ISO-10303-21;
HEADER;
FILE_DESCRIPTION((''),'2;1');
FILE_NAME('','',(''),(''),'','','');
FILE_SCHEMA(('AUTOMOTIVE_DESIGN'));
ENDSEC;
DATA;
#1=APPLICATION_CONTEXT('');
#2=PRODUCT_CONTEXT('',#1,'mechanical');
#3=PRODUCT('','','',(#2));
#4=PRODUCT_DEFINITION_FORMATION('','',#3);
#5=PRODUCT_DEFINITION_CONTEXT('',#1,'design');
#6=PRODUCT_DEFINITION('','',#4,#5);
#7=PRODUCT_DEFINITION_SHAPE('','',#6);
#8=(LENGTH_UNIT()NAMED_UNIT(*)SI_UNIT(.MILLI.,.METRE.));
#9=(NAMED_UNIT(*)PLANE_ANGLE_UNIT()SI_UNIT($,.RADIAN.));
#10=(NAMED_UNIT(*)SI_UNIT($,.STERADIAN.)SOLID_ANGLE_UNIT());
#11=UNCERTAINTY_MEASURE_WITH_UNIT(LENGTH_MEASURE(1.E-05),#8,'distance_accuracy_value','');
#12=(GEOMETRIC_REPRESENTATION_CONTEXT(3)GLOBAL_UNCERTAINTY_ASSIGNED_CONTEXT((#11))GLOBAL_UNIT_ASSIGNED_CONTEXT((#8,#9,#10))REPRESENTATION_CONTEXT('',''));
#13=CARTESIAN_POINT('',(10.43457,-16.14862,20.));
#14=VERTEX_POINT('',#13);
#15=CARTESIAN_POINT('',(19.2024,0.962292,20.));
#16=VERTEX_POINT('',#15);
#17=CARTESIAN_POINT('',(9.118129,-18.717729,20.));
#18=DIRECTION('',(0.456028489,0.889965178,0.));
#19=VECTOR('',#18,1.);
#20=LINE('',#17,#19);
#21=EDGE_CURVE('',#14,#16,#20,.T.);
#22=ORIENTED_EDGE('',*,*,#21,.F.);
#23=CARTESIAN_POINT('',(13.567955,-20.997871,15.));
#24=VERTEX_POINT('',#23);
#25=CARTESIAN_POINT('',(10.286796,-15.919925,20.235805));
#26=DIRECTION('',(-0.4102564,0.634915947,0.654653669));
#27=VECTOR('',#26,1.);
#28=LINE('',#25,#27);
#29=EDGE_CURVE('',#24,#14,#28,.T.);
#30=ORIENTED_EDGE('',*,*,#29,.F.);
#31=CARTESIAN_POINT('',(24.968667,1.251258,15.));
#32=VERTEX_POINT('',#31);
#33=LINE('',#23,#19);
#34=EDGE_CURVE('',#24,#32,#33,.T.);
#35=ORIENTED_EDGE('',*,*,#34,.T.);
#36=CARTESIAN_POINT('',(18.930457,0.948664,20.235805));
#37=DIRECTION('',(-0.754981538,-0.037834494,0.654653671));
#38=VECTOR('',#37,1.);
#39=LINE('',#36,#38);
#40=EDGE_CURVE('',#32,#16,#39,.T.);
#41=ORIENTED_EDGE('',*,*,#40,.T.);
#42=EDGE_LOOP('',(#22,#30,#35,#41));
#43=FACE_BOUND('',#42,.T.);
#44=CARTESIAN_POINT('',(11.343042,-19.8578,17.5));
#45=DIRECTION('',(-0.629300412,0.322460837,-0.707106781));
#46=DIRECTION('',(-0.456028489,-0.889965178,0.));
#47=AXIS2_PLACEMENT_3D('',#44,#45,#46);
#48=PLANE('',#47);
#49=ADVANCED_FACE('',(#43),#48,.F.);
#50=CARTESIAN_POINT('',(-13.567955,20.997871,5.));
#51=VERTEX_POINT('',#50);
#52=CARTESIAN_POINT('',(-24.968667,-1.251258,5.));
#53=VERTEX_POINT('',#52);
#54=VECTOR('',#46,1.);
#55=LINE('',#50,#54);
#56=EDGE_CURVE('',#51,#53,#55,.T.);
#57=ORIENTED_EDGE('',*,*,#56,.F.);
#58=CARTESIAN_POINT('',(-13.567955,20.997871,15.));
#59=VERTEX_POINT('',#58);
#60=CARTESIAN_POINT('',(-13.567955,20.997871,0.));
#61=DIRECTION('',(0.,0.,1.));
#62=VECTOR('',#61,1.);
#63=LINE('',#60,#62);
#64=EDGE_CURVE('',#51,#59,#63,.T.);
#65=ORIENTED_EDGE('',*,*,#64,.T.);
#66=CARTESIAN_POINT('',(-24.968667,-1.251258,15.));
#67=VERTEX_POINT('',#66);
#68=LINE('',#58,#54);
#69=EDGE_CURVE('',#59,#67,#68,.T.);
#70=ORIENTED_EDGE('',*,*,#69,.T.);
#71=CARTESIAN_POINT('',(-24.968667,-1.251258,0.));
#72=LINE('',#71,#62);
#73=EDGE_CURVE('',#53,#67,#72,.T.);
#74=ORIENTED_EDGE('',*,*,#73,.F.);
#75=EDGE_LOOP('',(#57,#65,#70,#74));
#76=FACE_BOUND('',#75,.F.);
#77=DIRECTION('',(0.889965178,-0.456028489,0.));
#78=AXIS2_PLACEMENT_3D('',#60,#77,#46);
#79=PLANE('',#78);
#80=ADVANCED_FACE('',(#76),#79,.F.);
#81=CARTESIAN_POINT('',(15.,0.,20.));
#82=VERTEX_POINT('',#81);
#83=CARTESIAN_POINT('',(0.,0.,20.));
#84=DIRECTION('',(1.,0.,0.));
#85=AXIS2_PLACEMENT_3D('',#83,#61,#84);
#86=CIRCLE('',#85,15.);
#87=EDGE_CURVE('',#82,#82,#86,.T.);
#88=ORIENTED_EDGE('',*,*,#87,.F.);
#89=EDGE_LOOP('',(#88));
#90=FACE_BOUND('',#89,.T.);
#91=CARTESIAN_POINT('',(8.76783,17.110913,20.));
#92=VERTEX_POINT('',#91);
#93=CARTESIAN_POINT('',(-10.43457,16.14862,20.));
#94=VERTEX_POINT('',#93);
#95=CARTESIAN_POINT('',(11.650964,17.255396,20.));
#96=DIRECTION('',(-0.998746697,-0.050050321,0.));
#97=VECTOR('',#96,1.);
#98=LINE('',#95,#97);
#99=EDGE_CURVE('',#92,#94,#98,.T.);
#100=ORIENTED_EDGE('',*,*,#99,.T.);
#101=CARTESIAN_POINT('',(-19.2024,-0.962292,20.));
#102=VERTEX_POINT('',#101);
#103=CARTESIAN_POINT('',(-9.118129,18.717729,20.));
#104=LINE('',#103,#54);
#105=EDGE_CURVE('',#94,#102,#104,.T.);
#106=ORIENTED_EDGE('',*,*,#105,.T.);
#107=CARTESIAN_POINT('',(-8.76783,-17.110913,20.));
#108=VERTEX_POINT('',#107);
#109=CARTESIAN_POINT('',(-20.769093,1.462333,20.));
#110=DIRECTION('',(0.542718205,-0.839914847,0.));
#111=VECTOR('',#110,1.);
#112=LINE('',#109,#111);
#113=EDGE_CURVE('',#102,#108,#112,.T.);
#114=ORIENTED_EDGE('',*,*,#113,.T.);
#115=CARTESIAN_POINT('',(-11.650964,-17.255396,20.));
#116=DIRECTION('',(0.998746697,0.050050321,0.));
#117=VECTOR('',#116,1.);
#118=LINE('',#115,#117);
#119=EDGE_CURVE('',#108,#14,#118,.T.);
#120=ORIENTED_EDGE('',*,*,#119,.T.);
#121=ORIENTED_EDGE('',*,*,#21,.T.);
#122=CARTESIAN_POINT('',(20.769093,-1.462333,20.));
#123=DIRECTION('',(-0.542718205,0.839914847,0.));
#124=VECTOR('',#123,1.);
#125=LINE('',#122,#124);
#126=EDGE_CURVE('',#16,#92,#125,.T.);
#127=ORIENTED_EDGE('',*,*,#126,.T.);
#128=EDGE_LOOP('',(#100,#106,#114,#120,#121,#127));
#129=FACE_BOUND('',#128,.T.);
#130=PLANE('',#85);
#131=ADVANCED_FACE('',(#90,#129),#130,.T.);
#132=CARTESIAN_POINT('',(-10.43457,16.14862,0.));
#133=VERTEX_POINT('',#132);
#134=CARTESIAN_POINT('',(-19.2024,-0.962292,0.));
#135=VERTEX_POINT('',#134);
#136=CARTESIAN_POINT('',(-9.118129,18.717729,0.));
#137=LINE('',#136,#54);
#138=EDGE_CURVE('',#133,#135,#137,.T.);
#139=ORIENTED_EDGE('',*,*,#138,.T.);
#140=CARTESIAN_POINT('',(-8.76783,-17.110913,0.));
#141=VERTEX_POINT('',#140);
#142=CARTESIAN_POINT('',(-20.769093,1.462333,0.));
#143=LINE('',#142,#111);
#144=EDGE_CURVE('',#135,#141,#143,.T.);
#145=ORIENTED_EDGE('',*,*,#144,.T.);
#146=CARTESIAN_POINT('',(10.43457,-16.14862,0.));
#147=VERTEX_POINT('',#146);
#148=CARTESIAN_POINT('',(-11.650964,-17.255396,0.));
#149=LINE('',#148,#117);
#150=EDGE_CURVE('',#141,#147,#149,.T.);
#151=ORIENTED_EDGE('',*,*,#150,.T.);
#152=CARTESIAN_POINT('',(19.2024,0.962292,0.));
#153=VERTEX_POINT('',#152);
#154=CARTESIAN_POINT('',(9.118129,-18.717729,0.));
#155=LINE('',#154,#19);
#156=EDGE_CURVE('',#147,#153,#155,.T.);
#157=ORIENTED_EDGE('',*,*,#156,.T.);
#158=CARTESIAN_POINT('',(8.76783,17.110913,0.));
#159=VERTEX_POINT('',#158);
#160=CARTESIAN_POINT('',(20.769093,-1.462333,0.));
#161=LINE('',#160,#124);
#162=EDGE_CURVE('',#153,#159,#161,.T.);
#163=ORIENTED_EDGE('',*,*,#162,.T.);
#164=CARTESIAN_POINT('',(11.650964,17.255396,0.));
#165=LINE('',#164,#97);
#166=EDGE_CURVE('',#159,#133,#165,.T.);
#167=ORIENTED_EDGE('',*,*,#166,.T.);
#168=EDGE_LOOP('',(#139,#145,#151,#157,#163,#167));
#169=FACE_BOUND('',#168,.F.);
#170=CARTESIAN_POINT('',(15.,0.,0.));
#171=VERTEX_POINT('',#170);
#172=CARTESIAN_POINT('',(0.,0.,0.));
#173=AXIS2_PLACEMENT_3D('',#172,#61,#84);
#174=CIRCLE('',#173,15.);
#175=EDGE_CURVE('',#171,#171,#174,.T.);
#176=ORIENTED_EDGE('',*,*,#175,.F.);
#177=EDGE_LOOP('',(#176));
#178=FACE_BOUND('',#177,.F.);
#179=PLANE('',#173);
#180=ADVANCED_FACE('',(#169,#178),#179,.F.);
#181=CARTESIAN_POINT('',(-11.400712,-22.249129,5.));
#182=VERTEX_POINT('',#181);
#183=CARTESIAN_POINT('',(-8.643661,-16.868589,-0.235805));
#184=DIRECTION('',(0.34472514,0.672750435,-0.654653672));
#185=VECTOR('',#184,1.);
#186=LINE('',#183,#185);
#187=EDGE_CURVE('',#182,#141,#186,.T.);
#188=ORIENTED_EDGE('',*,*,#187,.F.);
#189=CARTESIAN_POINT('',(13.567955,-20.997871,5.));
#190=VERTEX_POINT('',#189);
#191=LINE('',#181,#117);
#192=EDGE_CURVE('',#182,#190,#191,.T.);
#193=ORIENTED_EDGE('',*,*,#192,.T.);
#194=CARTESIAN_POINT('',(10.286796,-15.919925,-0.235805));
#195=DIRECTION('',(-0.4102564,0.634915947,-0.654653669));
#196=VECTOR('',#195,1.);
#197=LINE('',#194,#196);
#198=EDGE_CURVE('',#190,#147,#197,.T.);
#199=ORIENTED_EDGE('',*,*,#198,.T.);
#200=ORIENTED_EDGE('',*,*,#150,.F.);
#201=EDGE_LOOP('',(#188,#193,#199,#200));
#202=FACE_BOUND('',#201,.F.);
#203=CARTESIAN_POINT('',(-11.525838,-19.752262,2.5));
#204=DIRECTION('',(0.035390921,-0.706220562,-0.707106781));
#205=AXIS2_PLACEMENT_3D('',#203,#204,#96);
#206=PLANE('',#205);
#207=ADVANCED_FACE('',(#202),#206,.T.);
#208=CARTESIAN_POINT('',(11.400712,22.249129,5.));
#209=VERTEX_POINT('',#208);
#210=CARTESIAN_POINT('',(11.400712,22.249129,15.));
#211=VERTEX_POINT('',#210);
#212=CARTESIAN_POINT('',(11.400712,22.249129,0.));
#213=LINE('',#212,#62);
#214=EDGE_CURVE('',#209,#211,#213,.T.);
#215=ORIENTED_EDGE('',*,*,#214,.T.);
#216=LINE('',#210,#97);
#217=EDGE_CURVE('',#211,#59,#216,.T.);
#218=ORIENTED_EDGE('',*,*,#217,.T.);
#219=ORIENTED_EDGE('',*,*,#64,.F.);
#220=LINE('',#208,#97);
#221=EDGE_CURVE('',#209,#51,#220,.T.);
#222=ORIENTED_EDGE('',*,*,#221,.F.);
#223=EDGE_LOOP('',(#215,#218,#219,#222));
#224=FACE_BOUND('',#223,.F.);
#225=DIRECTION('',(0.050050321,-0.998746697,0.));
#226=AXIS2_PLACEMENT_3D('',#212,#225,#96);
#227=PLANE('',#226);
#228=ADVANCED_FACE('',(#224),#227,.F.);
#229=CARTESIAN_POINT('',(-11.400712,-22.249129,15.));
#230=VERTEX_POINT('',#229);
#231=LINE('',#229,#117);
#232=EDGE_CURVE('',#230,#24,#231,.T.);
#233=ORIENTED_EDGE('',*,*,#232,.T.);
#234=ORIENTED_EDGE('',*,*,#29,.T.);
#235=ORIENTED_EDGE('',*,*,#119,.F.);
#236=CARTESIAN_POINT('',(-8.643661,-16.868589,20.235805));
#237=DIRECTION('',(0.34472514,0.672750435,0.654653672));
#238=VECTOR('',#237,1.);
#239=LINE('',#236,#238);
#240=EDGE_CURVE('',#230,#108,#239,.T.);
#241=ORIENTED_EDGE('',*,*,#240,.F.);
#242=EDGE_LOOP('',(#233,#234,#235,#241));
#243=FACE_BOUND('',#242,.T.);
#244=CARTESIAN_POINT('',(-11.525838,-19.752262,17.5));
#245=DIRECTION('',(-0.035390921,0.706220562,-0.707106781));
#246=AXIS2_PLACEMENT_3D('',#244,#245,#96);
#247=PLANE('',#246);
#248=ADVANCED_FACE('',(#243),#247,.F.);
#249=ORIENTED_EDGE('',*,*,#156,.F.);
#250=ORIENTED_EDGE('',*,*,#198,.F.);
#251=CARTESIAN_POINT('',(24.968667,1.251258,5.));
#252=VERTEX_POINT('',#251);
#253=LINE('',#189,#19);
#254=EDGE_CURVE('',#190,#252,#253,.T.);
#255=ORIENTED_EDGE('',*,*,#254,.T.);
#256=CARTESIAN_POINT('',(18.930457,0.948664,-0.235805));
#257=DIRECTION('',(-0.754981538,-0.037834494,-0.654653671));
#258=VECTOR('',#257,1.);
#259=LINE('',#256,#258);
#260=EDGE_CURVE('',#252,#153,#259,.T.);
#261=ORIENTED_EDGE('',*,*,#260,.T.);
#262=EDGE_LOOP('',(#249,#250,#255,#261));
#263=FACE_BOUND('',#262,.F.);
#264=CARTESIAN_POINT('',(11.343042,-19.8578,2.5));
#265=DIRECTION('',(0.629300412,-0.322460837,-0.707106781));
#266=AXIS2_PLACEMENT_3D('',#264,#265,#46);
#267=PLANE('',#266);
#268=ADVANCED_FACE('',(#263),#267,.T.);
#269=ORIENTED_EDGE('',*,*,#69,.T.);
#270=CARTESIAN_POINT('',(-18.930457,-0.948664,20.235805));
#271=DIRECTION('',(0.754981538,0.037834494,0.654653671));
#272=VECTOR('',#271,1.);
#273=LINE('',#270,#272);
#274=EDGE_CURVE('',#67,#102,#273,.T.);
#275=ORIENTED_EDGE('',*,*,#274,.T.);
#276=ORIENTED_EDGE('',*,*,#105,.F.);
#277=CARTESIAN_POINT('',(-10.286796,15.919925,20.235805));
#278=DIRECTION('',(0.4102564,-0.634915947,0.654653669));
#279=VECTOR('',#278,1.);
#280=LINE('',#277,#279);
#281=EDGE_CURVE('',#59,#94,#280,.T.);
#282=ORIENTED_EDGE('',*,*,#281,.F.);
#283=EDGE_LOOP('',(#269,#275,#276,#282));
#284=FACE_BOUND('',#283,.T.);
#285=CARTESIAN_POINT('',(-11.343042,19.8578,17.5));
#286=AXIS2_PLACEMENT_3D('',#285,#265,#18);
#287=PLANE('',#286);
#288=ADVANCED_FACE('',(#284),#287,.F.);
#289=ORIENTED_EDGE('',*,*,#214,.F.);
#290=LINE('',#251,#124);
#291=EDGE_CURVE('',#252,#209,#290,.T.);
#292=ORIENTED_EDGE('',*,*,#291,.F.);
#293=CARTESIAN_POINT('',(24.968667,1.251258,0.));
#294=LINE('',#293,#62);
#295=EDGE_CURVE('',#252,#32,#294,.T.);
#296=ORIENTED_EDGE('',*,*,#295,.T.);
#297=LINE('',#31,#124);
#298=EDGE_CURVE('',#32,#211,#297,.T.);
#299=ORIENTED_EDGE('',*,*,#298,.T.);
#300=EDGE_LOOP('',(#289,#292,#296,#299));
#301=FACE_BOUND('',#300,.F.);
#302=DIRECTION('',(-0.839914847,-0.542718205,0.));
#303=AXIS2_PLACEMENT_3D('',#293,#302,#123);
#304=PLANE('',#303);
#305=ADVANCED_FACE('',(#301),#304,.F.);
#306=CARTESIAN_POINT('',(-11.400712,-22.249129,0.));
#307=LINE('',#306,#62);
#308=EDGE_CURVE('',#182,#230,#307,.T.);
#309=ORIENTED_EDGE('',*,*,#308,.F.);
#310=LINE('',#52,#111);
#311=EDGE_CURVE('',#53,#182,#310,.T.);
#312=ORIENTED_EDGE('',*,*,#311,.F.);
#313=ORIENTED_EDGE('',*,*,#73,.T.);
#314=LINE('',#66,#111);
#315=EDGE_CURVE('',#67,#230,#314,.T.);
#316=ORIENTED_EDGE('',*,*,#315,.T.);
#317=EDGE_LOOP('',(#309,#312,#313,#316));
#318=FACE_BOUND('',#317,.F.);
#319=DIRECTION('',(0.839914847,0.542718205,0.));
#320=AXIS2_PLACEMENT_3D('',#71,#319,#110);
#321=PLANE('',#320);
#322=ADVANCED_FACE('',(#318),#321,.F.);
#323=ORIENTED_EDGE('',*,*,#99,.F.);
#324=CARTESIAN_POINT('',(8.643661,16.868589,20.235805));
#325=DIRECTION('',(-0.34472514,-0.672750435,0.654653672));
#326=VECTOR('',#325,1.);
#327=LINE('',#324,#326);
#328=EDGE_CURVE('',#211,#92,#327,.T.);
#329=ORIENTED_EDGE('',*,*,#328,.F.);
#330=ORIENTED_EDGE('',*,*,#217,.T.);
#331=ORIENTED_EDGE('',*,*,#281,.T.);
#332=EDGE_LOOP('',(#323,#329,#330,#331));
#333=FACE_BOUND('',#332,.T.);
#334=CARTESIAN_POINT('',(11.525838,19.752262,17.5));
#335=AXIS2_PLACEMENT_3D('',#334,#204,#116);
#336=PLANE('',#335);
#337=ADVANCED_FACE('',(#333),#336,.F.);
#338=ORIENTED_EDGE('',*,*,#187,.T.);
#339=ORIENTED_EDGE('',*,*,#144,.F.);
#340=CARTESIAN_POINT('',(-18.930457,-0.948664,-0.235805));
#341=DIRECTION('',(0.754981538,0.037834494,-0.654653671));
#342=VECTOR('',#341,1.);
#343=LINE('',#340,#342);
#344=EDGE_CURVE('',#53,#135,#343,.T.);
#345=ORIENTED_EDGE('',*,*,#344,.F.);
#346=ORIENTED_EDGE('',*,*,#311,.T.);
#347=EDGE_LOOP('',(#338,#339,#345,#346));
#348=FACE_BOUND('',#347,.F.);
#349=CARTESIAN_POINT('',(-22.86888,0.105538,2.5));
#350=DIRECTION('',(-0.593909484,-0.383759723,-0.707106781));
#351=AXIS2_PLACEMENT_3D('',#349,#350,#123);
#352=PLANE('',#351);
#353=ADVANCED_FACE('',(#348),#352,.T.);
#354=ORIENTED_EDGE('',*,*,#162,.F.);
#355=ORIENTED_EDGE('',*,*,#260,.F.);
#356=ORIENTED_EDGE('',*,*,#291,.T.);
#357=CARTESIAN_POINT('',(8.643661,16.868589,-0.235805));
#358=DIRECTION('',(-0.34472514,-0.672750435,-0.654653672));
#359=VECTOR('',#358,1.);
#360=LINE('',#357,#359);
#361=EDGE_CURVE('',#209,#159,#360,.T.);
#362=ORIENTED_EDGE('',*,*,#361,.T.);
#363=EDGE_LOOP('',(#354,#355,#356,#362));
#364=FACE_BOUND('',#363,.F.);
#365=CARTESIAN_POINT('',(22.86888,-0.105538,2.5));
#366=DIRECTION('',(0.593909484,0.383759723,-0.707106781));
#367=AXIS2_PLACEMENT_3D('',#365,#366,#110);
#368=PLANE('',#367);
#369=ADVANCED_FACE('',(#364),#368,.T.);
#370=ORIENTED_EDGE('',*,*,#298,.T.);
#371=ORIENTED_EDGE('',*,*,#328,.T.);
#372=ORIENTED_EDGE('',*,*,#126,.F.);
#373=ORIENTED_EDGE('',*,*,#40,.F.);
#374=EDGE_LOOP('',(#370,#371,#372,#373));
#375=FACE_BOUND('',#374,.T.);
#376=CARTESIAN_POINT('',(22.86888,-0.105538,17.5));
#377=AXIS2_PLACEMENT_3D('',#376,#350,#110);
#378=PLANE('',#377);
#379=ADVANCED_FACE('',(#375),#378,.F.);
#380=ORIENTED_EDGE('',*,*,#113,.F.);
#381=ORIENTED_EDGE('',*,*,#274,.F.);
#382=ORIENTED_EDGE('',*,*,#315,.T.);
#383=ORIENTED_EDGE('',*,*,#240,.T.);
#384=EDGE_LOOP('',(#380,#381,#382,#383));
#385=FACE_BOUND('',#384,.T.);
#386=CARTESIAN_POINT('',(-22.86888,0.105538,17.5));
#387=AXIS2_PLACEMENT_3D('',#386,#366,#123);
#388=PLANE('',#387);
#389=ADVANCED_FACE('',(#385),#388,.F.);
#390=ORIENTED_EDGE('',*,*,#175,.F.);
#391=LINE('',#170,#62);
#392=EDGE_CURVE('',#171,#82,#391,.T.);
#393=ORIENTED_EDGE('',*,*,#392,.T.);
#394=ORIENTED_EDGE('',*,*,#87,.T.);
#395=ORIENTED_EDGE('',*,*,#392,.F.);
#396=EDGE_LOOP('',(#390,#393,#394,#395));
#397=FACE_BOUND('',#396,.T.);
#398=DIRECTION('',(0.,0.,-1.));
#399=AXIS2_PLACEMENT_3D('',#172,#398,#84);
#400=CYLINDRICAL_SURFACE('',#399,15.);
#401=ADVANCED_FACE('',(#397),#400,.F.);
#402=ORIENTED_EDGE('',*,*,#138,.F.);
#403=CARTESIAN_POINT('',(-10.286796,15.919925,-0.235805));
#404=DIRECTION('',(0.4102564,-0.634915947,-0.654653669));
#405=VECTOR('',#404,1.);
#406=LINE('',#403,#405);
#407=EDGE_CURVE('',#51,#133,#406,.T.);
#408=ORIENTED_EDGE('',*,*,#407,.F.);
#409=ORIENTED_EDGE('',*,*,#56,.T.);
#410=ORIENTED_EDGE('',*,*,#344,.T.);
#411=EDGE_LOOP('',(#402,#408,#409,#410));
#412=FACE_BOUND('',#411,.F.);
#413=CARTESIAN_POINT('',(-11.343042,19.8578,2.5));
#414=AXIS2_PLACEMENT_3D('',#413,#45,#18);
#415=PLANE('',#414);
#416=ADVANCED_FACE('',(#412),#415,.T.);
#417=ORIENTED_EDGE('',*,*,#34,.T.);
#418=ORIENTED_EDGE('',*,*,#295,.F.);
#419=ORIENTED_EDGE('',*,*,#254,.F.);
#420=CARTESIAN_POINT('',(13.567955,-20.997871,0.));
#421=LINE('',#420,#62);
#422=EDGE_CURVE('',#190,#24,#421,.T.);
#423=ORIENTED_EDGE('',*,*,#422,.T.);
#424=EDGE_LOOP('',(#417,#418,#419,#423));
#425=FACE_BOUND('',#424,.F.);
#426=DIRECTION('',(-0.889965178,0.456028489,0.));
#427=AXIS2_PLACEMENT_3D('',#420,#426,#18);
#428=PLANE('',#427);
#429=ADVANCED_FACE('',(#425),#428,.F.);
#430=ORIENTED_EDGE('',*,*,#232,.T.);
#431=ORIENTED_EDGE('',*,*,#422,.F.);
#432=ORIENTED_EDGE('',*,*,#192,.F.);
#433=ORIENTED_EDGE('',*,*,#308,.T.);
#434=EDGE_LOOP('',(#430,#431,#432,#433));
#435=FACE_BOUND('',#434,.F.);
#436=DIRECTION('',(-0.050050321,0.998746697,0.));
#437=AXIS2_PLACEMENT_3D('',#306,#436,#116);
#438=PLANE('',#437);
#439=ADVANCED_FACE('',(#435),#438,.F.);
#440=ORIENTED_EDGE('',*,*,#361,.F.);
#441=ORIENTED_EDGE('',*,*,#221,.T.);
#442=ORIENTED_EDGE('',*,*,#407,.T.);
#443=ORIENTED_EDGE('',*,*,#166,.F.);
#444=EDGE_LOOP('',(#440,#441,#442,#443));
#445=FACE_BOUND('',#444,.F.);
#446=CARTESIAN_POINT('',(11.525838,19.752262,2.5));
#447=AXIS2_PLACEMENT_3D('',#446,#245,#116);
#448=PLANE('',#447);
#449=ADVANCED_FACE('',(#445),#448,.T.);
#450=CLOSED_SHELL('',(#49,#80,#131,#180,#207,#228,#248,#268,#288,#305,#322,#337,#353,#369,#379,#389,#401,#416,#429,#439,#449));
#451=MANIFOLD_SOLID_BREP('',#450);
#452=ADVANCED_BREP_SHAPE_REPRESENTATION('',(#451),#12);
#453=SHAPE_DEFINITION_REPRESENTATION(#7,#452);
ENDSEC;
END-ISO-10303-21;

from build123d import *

# Parameters (mm, degrees)
F0_R     = 15
F1_DEPTH = 20
F2_R     = 15
F3_DEPTH = 33.7
F4_SIZE  = 5


with BuildPart() as f1:
    # F0 (on Top) → F1 (new body)
    with BuildSketch(Plane.XY):
        Circle(F0_R)
        Polygon((-11.400712, -22.249129), (13.567955, -20.997871), (24.968667, 1.251258), (11.400712, 22.249129), (-13.567955, 20.997871), (-24.968667, -1.251258), align=None)
        Circle(F0_R, mode=Mode.SUBTRACT)
    extrude(amount=F1_DEPTH)

    # F2 (on face) → F3 (cut)
    with BuildSketch(Plane(origin=(0, 0, 0), x_dir=(1, 0, 0), z_dir=(0, 0, -1))):
        Circle(F2_R)
    extrude(amount=-F3_DEPTH, mode=Mode.SUBTRACT)

    # F4
    f4_edges = [f1.edges().sort_by_distance(p)[0] for p in [
        (1.083621, -21.6235, 20),
        (1.083621, -21.6235, 0),
        (-18.18469, -11.750194, 0),
        (-18.18469, -11.750194, 20),
        (-19.268311, 9.873307, 0),
        (-19.268311, 9.873307, 20),
        (-1.083621, 21.6235, 20),
        (-1.083621, 21.6235, 0),
        (18.18469, 11.750194, 0),
        (18.18469, 11.750194, 20),
        (19.268311, -9.873307, 20),
        (19.268311, -9.873307, 0),
    ]]
    chamfer(f4_edges, length=F4_SIZE)


solid = f1.part
